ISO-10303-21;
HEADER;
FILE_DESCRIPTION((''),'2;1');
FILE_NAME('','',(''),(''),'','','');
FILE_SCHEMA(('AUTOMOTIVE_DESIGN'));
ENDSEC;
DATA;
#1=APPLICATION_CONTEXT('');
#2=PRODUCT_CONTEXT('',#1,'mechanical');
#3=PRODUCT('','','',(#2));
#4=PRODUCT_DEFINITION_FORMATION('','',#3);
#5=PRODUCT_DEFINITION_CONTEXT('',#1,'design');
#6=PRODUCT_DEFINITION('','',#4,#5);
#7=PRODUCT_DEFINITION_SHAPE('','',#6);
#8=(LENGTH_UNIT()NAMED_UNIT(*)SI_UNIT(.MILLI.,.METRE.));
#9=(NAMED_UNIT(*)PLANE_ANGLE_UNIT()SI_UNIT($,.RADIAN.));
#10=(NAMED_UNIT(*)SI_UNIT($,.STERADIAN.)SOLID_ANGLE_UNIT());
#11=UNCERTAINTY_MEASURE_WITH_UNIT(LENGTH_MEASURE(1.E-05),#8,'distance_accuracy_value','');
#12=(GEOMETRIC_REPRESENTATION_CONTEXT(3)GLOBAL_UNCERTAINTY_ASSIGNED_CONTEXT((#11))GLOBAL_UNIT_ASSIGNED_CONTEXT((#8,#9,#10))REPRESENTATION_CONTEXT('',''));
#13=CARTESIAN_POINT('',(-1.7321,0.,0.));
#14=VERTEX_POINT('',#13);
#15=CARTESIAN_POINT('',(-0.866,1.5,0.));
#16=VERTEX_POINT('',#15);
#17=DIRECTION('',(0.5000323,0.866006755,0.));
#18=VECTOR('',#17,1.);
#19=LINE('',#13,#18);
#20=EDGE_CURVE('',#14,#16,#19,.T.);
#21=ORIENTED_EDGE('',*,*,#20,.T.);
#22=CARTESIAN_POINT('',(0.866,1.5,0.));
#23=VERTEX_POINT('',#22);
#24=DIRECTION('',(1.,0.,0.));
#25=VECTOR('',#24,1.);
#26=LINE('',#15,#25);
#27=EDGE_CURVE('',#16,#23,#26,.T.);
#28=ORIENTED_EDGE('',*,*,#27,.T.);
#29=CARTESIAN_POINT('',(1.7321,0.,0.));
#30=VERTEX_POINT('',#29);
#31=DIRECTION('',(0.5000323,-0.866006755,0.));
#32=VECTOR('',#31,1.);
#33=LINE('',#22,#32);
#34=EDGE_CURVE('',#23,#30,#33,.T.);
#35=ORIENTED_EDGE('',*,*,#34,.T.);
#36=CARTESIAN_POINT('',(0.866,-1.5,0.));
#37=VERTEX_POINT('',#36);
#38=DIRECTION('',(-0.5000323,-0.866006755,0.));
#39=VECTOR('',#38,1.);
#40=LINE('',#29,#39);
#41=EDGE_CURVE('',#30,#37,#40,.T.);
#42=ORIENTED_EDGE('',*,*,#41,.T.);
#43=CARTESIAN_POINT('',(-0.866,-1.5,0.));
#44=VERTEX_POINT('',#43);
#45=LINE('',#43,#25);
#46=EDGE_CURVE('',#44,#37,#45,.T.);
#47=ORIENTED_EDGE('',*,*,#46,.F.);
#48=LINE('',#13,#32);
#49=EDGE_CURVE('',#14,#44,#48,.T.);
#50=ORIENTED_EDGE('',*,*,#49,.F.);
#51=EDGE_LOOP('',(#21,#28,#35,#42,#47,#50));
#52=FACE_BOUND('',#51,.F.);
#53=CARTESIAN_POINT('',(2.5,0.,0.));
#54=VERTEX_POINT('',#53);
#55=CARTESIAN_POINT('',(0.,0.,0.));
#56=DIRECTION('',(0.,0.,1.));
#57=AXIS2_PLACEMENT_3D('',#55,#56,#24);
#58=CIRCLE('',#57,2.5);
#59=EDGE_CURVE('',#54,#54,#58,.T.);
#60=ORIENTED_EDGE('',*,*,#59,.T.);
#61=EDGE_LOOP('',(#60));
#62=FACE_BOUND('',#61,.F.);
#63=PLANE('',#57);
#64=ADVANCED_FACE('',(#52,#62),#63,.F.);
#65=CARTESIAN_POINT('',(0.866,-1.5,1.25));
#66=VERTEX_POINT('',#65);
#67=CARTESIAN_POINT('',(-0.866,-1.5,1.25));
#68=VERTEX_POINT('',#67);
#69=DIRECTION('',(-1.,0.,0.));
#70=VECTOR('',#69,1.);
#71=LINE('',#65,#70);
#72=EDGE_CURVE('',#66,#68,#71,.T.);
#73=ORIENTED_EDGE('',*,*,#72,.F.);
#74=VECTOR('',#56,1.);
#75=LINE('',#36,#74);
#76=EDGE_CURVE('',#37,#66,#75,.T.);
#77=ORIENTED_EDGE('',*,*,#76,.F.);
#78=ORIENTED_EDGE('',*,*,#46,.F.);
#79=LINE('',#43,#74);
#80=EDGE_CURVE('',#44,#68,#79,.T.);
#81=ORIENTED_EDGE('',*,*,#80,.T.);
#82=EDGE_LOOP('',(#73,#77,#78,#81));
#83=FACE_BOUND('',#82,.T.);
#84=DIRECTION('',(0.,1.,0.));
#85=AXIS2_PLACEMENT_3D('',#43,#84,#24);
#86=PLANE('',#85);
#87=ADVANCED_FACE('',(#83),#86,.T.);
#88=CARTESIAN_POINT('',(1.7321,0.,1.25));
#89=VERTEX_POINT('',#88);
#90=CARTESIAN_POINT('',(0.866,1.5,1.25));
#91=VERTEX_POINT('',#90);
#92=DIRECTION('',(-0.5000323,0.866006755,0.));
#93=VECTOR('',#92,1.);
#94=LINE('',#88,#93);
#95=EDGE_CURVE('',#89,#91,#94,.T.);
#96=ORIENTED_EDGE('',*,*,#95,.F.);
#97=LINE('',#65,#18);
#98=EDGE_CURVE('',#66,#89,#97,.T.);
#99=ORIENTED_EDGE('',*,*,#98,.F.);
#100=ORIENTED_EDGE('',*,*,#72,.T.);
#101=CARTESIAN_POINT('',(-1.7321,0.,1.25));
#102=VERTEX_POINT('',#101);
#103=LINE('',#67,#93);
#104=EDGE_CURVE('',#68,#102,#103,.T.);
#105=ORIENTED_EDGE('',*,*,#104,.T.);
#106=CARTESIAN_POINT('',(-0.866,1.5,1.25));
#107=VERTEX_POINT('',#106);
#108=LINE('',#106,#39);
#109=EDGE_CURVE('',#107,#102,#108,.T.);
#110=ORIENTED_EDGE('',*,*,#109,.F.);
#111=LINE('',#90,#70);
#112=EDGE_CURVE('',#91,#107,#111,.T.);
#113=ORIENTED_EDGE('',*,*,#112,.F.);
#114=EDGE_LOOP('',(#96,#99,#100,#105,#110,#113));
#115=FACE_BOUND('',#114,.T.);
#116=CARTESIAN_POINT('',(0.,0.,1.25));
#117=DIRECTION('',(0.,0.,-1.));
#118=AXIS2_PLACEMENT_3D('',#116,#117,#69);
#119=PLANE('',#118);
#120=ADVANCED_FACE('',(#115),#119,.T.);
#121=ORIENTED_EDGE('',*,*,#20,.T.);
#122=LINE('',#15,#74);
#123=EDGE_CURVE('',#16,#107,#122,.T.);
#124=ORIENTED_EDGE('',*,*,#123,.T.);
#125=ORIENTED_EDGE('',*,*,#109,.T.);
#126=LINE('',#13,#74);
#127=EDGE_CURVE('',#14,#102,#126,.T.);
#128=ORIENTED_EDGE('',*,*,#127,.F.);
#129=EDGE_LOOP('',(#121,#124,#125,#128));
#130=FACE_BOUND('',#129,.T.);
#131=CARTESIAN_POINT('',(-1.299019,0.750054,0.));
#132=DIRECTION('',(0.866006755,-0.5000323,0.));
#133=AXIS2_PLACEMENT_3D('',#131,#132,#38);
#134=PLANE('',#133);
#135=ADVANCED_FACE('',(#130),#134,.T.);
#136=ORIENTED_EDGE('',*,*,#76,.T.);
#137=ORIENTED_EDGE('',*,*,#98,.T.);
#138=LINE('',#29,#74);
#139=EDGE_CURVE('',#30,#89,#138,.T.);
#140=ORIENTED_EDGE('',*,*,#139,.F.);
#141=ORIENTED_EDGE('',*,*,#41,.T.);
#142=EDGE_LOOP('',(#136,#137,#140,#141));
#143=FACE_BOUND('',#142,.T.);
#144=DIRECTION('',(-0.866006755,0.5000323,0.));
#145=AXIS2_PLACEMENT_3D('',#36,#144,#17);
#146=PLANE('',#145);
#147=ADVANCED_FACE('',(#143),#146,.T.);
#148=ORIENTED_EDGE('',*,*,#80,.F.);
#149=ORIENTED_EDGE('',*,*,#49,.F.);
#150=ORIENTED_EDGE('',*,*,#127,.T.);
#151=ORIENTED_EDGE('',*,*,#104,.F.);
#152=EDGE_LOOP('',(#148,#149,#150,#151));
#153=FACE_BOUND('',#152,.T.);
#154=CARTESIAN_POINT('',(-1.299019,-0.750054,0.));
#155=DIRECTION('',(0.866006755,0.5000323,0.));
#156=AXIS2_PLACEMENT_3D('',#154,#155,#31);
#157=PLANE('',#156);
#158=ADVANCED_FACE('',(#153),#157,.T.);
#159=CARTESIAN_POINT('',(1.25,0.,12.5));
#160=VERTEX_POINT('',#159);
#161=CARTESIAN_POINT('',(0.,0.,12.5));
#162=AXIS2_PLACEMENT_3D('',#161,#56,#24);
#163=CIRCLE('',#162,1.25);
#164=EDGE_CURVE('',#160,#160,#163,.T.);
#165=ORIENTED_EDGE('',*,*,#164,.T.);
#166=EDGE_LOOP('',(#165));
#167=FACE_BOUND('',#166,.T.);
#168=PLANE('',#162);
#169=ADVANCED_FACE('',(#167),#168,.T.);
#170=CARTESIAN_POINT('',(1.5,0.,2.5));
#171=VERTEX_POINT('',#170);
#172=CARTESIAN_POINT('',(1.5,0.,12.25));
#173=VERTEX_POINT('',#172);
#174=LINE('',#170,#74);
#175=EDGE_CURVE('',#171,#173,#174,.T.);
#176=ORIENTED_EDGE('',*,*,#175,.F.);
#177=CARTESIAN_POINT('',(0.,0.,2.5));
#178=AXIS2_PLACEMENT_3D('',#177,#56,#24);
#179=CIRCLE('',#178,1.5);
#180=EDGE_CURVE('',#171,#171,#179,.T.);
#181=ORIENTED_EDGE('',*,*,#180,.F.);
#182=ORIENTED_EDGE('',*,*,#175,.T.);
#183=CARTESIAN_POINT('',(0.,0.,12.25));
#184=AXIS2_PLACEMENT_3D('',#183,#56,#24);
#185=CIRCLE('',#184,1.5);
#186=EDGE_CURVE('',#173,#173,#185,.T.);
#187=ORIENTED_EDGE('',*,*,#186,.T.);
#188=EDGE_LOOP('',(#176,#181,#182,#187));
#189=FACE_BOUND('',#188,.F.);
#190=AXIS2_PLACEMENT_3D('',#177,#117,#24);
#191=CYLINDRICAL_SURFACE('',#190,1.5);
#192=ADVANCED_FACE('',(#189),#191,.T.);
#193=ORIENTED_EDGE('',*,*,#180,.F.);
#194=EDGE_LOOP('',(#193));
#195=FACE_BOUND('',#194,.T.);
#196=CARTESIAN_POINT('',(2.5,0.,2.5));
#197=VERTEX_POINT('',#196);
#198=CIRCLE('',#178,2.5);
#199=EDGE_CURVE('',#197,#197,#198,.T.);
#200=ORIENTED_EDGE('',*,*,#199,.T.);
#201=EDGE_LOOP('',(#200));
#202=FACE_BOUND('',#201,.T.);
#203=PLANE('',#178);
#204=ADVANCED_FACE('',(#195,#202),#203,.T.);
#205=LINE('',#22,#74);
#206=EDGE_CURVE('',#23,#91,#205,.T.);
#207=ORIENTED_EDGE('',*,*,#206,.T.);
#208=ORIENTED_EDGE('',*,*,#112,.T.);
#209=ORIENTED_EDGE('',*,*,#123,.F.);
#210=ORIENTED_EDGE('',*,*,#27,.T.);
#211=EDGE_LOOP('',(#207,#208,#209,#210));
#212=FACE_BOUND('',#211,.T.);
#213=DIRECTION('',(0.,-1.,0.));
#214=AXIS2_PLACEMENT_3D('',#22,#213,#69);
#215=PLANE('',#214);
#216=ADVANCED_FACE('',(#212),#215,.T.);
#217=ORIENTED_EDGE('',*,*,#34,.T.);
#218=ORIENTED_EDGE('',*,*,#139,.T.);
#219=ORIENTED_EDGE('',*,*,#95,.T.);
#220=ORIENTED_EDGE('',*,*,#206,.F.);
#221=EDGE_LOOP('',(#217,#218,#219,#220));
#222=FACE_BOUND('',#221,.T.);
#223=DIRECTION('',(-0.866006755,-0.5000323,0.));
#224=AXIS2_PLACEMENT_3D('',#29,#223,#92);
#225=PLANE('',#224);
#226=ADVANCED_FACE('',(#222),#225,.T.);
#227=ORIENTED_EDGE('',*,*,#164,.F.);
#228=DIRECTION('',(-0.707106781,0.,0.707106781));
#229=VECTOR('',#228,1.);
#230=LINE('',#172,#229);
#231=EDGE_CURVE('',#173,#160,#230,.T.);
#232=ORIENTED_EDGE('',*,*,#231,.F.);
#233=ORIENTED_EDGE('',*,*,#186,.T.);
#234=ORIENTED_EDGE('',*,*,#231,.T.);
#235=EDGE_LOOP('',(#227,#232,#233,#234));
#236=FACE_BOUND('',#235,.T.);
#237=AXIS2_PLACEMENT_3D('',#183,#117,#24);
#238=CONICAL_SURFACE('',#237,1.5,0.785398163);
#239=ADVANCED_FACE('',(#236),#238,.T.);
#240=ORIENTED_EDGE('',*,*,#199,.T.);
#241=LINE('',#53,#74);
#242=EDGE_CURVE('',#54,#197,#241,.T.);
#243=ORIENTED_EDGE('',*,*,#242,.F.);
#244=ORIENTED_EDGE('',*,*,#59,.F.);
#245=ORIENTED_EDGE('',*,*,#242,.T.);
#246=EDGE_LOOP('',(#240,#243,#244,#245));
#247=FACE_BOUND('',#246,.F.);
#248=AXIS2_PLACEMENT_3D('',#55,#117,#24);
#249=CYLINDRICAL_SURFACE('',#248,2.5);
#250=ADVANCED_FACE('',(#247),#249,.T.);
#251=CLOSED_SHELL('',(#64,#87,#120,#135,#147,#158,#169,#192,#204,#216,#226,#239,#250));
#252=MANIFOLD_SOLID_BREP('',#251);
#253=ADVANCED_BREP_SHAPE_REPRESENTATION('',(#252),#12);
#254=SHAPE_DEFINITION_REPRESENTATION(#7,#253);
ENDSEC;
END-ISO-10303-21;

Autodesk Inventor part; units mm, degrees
ref_plane "YZ Plane" through (0, 0, 0) normal (1, 0, 0) x (0, 1, 0)
ref_plane "XZ Plane" through (0, 0, 0) normal (0, 1, 0) x (-1, 0, 0)
ref_plane "XY Plane" through (0, 0, 0) normal (0, 0, 1) x (1, 0, 0)
sketch "草图1" plane through (0, 0, 0) normal (0, 0, 1) x (1, 0, 0)
  circle A0 centre (0, 0) radius 2.5
  dimension "d0" = 5
extrude "拉伸1" add sketch "草图1" along normal blind 2.5
sketch "草图2" plane through (0, 0, 2.5) normal (0, 0, 1) x (1, 0, 0)
  circle A0 centre (0, 0) radius 1.5
  dimension "d3" = 3
extrude "拉伸2" add sketch "草图2" along normal blind 10
thread "螺纹1" size "M3x0.5" class "6g" standard "ANSI Metric M Profile" full length
chamfer "倒角1" distance 0.25 angle 45 1 edges at (-1.5, 0, 12.5)
sketch "草图3" plane through (0, 0, 0) normal (0, 0, -1) x (-1, 0, 0)
  line L0 (0.866, -1.5) -> (-0.866, -1.5)
  line L1 (-0.866, -1.5) -> (-1.7321, 0)
  line L2 (-1.7321, 0) -> (-0.866, 1.5)
  line L3 (-0.866, 1.5) -> (0.866, 1.5)
  line L4 (0.866, 1.5) -> (1.7321, 0)
  line L5 (1.7321, 0) -> (0.866, -1.5)
  line L6 (0, 0) -> (0, 0.2895)
  circle A0 centre (0, 0) radius 1.5 projected
  point P0 (0, 1.5)
  dimension "d11" = 0.2895
  dimension "d12" = 1.5
extrude "拉伸3" cut sketch "草图3" against normal blind 1.25
properties part number "砂轮轴端盖螺丝"
